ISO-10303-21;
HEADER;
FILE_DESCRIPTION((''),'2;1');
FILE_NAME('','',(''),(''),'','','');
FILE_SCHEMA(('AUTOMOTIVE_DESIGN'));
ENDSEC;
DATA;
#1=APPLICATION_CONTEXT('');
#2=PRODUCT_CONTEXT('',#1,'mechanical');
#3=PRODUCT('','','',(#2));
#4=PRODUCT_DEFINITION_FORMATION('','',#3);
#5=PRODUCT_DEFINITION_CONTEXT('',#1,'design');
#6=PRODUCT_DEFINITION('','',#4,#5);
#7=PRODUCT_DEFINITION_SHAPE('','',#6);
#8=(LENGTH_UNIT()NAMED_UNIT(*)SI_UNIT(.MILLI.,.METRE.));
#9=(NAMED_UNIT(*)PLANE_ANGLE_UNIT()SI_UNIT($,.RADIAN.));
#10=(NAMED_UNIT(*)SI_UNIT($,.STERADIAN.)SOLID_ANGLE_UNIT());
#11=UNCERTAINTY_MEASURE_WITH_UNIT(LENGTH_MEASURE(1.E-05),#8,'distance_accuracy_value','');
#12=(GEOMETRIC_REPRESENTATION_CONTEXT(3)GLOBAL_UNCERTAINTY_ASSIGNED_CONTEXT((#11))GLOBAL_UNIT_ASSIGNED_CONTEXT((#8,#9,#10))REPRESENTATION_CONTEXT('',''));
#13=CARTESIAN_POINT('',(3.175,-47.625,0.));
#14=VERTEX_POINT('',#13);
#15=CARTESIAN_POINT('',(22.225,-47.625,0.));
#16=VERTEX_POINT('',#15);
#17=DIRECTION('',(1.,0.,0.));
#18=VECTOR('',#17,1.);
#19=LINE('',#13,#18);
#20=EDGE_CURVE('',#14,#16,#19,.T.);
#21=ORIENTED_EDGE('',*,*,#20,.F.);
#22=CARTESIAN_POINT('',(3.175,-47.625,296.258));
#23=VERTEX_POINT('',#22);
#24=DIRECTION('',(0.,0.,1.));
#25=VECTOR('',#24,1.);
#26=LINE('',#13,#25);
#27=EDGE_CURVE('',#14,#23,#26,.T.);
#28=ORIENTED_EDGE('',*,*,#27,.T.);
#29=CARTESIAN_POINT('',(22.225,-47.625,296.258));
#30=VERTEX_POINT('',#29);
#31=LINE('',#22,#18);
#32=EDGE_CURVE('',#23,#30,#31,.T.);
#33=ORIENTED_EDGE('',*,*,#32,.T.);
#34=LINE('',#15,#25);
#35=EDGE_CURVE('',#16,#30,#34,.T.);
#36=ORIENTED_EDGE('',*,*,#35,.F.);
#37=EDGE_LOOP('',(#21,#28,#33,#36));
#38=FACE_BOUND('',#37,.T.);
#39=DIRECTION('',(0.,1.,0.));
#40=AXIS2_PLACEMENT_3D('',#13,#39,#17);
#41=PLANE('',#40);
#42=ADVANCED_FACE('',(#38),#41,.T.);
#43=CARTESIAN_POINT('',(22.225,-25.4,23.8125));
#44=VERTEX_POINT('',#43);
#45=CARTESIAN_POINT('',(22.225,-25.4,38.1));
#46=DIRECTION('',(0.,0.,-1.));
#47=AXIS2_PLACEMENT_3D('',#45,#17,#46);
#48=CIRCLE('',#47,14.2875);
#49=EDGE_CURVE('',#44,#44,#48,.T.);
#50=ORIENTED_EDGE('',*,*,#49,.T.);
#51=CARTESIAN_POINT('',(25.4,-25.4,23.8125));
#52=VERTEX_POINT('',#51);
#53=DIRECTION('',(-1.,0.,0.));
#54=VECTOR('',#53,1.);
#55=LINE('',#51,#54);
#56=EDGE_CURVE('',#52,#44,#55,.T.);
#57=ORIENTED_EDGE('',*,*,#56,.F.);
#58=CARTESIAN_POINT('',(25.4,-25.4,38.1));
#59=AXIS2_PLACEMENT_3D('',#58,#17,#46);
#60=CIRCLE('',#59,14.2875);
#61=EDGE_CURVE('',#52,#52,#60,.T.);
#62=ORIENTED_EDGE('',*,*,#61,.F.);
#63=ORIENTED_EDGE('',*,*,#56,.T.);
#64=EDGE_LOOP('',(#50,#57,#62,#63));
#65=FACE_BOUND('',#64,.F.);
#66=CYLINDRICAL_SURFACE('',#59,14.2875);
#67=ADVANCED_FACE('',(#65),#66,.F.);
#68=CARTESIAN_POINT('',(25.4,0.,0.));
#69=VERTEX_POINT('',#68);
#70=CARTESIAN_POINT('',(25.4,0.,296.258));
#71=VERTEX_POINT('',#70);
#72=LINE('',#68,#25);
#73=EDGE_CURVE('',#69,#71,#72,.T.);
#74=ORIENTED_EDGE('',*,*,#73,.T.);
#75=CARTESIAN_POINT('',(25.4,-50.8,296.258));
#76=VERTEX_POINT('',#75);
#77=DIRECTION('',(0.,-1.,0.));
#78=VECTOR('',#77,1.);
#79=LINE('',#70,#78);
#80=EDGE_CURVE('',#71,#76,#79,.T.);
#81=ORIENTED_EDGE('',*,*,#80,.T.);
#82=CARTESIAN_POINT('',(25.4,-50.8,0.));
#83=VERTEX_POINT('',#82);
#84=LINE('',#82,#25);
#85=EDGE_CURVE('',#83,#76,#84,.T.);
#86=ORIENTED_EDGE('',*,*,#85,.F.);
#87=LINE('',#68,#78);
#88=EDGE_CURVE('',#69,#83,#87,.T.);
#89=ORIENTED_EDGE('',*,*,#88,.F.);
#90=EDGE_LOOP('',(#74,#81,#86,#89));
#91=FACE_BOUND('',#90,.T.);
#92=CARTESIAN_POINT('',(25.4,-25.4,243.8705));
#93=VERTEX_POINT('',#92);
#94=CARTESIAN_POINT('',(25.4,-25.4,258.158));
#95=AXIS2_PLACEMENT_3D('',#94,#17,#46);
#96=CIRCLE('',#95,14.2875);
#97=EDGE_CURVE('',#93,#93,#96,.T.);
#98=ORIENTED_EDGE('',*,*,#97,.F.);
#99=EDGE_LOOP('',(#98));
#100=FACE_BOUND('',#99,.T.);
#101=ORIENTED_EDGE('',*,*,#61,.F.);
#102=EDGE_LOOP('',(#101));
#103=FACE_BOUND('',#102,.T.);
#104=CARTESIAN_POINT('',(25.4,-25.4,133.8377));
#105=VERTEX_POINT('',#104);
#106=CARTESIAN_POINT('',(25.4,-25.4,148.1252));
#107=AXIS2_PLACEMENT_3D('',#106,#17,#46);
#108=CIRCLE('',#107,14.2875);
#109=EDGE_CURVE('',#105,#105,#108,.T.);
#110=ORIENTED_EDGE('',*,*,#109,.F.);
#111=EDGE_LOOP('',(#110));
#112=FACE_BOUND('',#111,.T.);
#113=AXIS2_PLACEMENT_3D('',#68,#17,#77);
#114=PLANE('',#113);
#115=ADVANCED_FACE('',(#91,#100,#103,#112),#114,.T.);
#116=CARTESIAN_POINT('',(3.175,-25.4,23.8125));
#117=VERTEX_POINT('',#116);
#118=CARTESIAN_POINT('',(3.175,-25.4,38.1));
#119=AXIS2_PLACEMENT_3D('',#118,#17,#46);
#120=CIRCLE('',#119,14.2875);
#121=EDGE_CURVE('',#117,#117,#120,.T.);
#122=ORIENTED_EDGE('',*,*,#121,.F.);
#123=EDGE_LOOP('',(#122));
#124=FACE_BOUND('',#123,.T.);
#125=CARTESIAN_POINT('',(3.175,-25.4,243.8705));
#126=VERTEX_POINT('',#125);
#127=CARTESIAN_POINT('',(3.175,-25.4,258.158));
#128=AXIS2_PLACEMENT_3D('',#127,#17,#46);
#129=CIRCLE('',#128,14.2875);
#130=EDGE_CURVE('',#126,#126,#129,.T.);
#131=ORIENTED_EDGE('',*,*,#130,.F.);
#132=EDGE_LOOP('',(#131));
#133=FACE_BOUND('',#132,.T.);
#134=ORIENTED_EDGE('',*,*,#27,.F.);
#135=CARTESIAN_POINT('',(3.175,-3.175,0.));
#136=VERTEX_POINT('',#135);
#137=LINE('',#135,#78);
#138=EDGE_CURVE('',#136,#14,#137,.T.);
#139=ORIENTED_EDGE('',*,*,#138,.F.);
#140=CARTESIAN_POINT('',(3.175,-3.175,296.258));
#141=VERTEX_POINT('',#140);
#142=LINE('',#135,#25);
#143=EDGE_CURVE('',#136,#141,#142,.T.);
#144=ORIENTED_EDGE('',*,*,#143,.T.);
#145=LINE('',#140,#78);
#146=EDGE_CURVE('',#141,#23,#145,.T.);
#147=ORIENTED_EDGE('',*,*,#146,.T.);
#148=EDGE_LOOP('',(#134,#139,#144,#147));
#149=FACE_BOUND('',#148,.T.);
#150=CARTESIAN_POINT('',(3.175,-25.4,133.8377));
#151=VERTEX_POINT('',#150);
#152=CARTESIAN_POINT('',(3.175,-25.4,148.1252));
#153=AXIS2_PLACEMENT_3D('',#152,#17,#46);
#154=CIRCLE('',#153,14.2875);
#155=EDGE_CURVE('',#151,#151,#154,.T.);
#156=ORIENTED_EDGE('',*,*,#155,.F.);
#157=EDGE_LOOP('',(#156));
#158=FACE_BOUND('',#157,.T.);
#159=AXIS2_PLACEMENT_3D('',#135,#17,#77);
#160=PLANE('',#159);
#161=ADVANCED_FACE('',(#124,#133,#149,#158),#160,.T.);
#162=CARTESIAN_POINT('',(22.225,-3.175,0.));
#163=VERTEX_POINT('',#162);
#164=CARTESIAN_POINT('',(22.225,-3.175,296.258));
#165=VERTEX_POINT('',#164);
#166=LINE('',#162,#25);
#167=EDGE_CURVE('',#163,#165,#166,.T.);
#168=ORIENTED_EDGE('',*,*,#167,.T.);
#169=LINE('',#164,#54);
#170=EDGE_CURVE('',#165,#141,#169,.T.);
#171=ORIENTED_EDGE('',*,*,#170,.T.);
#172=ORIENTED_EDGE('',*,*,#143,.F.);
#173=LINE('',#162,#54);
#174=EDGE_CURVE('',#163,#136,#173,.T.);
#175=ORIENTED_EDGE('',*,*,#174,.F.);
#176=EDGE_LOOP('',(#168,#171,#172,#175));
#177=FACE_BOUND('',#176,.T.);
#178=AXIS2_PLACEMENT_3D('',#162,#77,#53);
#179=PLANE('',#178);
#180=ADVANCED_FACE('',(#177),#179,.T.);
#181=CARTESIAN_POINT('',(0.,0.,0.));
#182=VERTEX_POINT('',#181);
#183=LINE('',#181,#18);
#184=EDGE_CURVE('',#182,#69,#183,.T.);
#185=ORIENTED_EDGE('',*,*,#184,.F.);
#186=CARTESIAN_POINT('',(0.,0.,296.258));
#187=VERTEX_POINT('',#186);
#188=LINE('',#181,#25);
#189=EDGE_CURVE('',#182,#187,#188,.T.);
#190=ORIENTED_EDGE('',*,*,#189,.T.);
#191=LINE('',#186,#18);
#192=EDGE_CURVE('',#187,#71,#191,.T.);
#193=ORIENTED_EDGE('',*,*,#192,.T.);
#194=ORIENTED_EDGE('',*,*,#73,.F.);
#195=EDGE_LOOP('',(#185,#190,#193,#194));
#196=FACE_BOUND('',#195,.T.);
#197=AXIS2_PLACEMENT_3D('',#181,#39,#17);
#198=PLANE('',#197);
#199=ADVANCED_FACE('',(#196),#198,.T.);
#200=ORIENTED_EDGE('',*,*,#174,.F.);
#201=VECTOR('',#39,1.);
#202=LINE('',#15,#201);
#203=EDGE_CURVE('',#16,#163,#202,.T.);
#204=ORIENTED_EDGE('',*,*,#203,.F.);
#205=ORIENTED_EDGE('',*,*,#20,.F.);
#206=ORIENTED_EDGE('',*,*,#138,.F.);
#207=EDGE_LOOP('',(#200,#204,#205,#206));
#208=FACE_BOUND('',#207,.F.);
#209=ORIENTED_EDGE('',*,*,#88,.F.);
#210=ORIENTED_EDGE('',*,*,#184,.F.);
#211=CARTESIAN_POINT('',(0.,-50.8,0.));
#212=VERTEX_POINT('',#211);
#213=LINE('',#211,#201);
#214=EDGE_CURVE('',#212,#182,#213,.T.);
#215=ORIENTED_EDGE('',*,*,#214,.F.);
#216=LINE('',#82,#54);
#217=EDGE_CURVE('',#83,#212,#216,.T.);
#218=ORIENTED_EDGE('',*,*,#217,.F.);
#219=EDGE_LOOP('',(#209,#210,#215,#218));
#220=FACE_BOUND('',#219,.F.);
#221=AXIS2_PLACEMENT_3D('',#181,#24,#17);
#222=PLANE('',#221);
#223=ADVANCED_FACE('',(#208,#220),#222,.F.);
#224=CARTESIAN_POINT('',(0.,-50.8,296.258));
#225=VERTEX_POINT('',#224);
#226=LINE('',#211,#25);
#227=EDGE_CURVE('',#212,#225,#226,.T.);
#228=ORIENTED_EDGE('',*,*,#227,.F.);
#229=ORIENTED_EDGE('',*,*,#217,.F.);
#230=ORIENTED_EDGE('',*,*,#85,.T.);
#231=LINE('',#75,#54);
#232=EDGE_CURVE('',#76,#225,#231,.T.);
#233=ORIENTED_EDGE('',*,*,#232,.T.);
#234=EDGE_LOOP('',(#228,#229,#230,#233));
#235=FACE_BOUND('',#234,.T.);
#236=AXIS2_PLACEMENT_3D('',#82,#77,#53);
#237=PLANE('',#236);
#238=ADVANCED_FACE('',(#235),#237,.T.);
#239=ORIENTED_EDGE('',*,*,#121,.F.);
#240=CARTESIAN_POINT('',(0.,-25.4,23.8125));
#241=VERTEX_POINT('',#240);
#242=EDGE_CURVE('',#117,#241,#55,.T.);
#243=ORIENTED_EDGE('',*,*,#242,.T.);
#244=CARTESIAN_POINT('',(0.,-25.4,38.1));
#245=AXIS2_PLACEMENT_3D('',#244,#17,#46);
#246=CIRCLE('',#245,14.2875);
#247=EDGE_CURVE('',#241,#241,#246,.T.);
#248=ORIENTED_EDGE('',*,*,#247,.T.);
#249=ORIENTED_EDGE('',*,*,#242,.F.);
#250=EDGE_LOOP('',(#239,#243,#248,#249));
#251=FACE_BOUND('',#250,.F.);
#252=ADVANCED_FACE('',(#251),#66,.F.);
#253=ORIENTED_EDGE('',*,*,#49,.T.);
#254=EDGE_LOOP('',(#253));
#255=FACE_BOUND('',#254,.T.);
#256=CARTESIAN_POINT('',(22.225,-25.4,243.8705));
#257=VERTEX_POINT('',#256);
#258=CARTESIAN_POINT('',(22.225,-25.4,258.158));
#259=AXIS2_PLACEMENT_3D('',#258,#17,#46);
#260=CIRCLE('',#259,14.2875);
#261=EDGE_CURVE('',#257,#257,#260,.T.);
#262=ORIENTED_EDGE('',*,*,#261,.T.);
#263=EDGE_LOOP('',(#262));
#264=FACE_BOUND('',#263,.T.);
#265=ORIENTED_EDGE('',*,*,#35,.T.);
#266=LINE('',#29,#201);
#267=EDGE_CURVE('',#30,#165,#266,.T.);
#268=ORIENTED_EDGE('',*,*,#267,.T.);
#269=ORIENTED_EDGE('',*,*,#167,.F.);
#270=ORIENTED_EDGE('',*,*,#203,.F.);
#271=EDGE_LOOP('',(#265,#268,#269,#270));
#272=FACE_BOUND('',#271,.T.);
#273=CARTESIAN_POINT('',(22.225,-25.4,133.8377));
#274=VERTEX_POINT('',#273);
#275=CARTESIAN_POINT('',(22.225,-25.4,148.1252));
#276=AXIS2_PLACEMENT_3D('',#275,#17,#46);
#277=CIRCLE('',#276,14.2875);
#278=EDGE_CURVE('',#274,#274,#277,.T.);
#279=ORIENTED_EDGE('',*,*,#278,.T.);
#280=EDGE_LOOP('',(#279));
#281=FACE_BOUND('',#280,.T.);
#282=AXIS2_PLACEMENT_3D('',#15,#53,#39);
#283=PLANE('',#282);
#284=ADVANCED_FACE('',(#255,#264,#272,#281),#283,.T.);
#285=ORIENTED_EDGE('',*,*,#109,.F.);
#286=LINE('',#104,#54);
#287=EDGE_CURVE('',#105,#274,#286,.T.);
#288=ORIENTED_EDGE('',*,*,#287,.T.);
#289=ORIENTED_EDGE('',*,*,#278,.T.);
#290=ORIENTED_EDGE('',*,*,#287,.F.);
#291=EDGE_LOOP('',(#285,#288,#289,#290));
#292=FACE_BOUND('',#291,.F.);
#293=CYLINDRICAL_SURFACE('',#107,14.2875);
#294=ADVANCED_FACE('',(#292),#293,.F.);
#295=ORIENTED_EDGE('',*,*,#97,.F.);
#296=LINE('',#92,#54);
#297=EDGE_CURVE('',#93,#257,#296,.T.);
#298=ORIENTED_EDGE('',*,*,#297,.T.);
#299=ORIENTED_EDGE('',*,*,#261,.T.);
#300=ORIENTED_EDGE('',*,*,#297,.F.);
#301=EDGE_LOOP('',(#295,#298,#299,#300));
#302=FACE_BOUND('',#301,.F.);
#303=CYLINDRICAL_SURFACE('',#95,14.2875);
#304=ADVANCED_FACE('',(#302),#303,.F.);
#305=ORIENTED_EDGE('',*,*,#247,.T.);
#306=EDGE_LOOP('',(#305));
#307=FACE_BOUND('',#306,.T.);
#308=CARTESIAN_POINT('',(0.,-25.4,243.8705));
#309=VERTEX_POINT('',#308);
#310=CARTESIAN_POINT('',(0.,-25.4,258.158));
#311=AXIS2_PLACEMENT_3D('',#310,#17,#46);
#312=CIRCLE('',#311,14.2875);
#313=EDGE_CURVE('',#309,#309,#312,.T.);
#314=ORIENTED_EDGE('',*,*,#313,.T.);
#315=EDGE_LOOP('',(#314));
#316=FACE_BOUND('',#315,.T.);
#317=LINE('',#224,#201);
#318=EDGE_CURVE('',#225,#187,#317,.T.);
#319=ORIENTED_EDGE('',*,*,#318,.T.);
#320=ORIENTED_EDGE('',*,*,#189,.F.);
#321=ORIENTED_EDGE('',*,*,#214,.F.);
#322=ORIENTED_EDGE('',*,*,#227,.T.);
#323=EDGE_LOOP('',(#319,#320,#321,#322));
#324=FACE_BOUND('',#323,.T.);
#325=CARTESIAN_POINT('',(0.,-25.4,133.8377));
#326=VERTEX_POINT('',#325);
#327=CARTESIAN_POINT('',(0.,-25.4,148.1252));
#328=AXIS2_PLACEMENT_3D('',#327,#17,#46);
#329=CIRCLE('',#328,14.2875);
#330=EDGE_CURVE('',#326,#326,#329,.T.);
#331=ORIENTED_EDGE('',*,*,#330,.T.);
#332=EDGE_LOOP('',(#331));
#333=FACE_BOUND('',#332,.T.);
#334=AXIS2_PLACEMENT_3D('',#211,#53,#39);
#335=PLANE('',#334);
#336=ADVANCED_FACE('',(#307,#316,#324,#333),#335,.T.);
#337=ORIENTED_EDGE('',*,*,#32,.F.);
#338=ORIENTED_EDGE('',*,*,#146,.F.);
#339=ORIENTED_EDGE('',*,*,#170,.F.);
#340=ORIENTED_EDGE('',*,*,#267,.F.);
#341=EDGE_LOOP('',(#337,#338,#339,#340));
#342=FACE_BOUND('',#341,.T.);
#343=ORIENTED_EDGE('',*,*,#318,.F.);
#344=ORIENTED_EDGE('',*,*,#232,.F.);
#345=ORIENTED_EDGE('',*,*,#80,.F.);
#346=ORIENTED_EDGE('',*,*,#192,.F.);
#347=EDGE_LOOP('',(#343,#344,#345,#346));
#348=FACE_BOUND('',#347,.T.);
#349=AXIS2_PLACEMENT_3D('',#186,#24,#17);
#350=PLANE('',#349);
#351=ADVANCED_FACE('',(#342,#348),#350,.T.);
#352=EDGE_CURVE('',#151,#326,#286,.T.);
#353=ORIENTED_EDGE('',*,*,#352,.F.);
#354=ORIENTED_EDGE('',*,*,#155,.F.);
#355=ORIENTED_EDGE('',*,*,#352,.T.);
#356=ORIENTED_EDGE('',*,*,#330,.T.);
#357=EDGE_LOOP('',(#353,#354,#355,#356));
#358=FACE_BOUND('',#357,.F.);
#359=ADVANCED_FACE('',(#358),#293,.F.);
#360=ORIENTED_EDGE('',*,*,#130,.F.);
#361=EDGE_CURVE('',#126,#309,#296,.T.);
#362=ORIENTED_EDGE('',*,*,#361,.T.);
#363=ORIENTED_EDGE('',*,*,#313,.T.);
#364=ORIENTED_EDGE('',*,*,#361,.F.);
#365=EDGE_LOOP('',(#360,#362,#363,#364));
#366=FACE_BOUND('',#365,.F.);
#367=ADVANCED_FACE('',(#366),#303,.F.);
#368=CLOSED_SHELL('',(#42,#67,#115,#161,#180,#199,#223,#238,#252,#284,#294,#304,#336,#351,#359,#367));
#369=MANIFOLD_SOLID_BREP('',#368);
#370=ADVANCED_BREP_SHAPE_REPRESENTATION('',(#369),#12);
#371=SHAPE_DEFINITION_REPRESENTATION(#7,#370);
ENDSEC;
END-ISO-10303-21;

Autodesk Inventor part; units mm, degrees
ref_plane "YZ Plane" through (0, 0, 0) normal (1, 0, 0) x (0, 1, 0)
ref_plane "XZ Plane" through (0, 0, 0) normal (0, 1, 0) x (-1, 0, 0)
ref_plane "XY Plane" through (0, 0, 0) normal (0, 0, 1) x (1, 0, 0)
sketch "Sketch1" plane through (0, 0, 0) normal (0, 0, 1) x (1, 0, 0)
  line L0 (0, 0) -> (25.4, 0)
  line L1 (25.4, 0) -> (25.4, -50.8)
  line L2 (25.4, -50.8) -> (0, -50.8)
  line L3 (0, -50.8) -> (0, 0)
  line L4 (22.225, -3.175) -> (3.175, -3.175)
  line L5 (3.175, -3.175) -> (3.175, -47.625)
  line L6 (3.175, -47.625) -> (22.225, -47.625)
  line L7 (22.225, -47.625) -> (22.225, -3.175)
  dimension "d0" = 25.4
  dimension "d1" = 50.8
  dimension "d2" = 3.175
extrude "Extrusion1" add sketch "Sketch1" along normal blind 296.258
sketch "Sketch2" plane through (25.4, -50.8, 0) normal (1, 0, 0) x (0, 0, -1)
  circle A0 centre (-38.1, 25.4) radius 14.2875
  circle A1 centre (-148.1252, 25.4) radius 14.2875
  line L0 (0, 50.8) -> (0, 0) projected
  line L1 (-296.258, 0) -> (-296.258, 50.8) projected
  line L2 (0, 0) -> (-296.258, 0) projected
  dimension "d5" = 38.1
  dimension "d6" = 110.0252
  dimension "d7" = 148.1328
  dimension "d8" = 25.4
  dimension "d9" = 25.4
  dimension "d10" = 28.575
  dimension "d11" = 28.575
extrude "Extrusion2" cut sketch "Sketch2" against normal blind 190.5
sketch "Sketch3" plane through (25.4, -50.8, 0) normal (1, 0, 0) x (0, 0, -1)
  circle A0 centre (-258.158, 25.4) radius 14.2875
  line L0 (-296.258, 0) -> (-296.258, 50.8) projected
  line L1 (0, 50.8) -> (-296.258, 50.8) projected
  circle A1 centre (-148.1252, 25.4) radius 14.2875 projected
  dimension "d14" = 38.1
  dimension "d15" = 28.575
  dimension "d16" = 25.4
  dimension "d19" = 110.0328
extrude "Extrusion3" cut sketch "Sketch3" against normal blind 25.4 contours A0
properties part number "DRL SS"
